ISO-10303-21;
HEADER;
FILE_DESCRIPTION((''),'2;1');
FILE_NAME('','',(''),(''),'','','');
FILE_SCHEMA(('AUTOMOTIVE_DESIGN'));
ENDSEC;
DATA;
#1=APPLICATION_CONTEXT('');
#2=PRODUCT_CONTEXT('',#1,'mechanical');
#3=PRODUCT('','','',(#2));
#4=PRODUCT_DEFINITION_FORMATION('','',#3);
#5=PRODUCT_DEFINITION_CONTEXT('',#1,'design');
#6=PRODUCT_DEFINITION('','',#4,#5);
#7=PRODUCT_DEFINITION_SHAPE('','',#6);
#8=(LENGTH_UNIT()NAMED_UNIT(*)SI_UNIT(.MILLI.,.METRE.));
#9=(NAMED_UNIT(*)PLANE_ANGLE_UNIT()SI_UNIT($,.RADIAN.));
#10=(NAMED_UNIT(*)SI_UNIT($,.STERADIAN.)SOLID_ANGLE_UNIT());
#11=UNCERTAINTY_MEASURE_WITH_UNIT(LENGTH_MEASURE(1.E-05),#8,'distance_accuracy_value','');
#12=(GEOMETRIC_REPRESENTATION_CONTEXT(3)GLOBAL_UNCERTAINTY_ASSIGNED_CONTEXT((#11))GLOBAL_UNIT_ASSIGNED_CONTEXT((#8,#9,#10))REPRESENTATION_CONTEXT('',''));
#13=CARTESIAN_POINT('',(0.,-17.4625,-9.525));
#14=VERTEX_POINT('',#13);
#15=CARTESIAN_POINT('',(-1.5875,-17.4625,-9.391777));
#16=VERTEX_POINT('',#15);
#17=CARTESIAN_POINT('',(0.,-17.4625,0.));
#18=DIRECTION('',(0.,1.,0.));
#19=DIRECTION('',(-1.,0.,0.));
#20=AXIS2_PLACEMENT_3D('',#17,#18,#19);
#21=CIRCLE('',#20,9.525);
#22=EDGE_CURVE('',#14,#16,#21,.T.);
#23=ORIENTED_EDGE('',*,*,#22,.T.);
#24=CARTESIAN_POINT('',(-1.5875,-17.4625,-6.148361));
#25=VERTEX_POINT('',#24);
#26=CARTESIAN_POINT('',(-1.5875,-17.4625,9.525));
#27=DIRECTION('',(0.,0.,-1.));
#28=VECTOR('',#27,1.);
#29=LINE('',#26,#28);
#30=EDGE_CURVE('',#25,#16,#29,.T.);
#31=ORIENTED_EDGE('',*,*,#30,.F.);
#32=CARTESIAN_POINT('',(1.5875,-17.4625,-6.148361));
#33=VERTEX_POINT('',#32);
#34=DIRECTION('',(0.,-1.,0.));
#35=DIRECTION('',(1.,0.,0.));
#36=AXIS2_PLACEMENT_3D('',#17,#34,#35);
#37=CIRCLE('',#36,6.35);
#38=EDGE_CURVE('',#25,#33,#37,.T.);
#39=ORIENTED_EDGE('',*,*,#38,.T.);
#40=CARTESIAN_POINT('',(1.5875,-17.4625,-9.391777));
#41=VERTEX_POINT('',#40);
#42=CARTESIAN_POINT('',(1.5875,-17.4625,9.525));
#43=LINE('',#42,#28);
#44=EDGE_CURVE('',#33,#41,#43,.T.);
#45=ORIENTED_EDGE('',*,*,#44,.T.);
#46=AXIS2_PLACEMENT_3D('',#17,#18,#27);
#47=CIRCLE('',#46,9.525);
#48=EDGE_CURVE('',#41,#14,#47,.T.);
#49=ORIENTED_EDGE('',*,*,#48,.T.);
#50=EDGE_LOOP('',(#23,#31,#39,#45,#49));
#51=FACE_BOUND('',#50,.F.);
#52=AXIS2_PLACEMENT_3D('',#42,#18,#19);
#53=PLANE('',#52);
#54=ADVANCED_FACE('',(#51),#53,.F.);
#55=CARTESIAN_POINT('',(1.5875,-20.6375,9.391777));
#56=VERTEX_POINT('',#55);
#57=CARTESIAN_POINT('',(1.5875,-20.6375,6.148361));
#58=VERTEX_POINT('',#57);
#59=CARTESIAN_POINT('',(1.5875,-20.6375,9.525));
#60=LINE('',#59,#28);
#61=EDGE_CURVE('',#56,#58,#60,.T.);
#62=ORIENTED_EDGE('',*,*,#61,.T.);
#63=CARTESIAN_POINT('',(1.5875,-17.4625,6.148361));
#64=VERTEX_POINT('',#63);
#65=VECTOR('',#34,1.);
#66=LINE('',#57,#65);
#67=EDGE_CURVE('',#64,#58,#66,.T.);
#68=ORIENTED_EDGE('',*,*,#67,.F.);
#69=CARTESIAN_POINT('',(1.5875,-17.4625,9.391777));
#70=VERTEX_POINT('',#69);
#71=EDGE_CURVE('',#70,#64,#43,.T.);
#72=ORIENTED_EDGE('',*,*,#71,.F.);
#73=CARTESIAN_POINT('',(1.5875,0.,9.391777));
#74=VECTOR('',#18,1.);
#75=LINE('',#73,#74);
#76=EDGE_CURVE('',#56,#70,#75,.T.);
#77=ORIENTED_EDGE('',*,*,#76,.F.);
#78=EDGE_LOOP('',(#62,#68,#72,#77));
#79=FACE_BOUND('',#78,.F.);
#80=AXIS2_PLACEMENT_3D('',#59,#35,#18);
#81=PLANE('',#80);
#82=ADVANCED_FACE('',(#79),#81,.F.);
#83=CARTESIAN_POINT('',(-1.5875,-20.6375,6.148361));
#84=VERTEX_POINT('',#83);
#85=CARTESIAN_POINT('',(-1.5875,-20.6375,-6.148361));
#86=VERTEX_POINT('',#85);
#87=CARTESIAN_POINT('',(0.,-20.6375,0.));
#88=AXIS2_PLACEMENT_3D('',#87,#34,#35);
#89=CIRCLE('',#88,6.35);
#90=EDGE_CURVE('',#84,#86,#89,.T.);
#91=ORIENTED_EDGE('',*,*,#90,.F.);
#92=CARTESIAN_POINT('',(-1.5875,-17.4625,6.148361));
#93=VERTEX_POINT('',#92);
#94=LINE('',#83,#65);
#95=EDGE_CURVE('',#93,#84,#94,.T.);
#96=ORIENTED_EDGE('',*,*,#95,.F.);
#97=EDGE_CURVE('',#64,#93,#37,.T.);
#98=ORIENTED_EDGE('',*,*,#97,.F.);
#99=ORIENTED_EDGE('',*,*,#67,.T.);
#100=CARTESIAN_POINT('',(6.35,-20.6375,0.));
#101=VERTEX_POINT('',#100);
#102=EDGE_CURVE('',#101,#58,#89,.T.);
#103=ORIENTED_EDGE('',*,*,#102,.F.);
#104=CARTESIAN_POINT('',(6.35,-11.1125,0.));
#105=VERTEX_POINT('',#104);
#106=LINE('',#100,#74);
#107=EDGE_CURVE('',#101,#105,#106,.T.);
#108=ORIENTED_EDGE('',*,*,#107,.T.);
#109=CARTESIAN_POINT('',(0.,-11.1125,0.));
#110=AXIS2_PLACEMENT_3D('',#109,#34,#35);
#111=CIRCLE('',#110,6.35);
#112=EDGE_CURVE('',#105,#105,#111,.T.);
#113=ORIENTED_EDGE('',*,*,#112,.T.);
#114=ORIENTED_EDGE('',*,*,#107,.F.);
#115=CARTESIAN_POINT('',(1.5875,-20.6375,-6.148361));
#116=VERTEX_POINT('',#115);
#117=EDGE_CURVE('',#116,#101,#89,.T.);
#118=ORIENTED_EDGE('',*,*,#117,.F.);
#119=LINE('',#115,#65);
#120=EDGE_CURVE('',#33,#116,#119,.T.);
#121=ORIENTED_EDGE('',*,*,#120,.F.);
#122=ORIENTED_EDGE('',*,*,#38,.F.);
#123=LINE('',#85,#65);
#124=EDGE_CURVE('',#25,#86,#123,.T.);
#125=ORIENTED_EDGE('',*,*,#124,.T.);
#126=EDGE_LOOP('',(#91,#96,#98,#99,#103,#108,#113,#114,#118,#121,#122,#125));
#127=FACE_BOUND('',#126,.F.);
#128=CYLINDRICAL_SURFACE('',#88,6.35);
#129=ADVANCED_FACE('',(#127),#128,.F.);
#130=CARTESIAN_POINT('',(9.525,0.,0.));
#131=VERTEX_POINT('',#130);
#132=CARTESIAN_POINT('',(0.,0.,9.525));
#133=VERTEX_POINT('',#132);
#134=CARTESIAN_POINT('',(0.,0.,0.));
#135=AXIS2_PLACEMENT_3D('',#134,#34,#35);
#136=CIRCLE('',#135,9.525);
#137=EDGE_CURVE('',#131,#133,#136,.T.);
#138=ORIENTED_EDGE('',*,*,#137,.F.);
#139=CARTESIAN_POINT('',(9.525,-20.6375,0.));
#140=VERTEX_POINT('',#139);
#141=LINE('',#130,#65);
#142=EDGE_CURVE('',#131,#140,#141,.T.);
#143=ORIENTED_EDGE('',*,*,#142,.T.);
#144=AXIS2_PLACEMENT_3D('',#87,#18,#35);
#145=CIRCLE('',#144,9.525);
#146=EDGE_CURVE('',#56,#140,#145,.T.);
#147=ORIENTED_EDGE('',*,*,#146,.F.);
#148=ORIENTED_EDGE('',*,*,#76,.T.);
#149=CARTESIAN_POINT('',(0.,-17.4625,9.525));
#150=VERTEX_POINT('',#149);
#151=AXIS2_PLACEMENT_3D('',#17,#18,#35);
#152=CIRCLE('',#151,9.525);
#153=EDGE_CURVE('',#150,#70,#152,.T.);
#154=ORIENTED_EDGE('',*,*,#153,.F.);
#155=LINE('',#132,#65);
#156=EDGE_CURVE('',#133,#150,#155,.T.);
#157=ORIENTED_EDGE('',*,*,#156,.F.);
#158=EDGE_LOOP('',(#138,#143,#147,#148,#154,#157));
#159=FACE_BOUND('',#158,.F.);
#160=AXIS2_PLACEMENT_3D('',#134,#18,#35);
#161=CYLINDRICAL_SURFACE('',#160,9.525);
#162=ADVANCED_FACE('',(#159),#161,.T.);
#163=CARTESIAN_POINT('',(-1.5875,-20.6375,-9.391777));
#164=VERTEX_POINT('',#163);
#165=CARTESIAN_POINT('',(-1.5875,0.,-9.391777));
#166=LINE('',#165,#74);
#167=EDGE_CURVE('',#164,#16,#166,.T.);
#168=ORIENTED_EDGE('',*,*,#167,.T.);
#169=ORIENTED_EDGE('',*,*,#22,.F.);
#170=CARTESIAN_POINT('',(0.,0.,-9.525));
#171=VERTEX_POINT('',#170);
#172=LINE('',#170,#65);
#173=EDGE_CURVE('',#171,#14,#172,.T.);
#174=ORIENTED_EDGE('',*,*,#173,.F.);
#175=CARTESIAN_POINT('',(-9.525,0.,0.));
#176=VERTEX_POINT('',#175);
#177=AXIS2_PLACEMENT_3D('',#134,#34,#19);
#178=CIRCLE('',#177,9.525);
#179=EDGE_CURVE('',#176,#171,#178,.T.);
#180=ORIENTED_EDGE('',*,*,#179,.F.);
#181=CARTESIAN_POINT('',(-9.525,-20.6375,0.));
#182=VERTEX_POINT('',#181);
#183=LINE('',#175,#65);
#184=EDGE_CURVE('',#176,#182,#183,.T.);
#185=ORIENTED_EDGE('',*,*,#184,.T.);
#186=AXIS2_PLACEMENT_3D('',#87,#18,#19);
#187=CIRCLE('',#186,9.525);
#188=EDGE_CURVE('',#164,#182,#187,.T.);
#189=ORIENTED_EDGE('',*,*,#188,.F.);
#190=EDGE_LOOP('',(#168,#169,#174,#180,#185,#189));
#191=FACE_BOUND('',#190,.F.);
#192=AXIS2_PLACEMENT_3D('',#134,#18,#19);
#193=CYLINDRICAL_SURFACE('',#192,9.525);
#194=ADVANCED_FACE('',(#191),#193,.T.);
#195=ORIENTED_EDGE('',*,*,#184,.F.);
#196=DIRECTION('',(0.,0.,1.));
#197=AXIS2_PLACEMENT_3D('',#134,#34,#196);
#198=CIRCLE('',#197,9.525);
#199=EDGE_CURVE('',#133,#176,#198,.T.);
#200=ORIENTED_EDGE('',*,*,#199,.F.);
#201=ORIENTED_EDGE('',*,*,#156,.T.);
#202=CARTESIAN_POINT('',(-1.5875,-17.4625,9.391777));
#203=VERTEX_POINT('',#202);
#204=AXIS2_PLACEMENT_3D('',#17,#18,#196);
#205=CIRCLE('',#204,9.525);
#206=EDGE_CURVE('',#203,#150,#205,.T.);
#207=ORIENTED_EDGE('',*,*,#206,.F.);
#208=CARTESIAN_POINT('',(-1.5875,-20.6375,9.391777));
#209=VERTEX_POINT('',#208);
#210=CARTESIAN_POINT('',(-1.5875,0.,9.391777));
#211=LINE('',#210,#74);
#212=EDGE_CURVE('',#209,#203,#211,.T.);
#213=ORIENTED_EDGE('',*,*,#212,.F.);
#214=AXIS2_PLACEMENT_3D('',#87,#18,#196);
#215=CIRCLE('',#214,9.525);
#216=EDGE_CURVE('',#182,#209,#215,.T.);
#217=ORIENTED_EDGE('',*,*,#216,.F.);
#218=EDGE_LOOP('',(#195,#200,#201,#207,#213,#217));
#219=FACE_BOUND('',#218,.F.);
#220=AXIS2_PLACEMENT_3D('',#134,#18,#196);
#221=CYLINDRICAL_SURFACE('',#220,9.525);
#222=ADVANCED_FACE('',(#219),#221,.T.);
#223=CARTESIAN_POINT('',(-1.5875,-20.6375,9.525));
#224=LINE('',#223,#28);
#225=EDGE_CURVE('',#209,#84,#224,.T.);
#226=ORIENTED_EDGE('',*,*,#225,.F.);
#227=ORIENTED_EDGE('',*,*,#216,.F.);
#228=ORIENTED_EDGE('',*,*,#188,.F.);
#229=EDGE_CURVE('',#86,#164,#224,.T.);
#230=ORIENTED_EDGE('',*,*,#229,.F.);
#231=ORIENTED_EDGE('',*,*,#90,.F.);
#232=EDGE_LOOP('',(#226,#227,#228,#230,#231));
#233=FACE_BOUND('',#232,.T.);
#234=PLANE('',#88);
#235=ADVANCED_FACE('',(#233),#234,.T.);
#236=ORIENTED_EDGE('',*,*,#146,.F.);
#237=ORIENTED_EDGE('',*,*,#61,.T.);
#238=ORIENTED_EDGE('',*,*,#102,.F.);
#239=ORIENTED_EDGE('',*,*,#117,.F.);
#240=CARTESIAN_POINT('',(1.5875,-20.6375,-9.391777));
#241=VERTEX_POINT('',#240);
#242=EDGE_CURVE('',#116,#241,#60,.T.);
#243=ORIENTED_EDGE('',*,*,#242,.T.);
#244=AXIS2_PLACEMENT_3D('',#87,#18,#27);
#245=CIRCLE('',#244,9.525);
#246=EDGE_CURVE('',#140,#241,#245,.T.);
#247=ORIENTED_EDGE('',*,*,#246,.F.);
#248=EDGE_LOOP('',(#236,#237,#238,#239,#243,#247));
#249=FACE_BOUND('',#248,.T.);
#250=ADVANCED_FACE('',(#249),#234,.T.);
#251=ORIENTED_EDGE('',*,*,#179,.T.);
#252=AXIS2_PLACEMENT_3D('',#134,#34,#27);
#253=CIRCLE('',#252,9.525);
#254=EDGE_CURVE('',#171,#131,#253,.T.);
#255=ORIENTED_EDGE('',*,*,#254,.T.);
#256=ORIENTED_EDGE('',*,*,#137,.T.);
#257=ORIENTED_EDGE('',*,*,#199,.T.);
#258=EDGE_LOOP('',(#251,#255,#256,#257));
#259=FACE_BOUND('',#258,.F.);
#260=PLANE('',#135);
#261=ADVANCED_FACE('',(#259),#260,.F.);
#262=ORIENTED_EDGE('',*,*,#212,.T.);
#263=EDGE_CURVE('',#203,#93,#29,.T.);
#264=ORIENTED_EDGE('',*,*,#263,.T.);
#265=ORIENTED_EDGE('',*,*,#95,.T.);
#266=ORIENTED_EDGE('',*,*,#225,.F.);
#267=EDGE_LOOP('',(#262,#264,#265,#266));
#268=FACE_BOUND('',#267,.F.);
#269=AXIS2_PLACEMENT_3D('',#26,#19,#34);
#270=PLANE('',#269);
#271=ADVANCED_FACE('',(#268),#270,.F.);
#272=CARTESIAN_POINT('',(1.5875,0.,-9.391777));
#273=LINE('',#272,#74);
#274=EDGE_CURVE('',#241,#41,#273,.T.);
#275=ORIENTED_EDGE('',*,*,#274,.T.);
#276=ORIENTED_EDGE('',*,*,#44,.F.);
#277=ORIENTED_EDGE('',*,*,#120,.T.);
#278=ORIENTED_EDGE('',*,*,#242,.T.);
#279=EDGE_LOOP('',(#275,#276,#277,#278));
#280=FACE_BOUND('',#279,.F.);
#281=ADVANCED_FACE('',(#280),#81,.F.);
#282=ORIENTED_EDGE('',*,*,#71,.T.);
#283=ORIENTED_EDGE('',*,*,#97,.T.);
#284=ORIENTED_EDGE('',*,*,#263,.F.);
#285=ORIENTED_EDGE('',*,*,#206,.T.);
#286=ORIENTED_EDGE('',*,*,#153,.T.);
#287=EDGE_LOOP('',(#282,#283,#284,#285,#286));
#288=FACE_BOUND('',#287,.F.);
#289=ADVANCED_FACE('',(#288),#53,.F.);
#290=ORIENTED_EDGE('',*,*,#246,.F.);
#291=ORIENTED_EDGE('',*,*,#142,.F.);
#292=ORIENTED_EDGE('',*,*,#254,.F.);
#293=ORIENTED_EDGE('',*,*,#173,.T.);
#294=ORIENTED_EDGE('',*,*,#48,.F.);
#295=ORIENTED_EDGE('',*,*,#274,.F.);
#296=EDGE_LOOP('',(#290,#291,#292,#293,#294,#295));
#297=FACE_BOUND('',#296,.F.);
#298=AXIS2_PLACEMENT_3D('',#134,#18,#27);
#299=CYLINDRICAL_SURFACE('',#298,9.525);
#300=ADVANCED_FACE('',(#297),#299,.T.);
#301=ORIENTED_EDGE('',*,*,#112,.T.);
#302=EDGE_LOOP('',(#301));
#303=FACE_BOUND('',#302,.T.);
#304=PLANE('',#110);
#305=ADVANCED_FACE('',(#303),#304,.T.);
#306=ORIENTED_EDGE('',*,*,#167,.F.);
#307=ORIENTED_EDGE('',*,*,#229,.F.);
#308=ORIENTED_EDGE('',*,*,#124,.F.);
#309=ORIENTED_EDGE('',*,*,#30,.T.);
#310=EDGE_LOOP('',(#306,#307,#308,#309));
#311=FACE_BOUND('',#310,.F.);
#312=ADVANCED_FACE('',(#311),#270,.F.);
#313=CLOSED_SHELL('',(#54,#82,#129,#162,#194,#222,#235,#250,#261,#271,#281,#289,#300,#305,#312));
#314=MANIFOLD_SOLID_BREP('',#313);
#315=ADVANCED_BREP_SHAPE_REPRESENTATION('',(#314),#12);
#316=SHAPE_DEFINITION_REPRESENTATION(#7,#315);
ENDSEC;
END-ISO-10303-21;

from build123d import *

# Parameters (mm, degrees)
F0_W     = 19.05
F0_H     = 19.05
F1_DEPTH = 20.6375
F2_R     = 6.35
F3_DEPTH = 9.525
F5_DEPTH = 25.4
F7_DEPTH = 25.4


with BuildPart() as f1:
    # F0 (on Front) → F1 (new body)
    with BuildSketch(Plane.XZ):
        Rectangle(F0_W, F0_H)
    extrude(amount=F1_DEPTH)

    # F2 (on face) → F3 (cut)
    with BuildSketch(Plane.XZ.offset(20.6375)):
        Circle(F2_R)
    extrude(amount=-F3_DEPTH, mode=Mode.SUBTRACT)

    # F4 (on face) → F5 (cut)
    with BuildSketch(Plane.XY.offset(9.525)):
        Polygon((-1.5875, -20.6375), (0, -20.6375), (1.5875, -20.6375), (1.5875, -17.4625), (-1.5875, -17.4625), align=None)
    extrude(amount=-F5_DEPTH, mode=Mode.SUBTRACT)

    # F6 (on face) → F7 (cut)
    with BuildSketch(Plane(origin=(0, 0, 0), x_dir=(-1, 0, 0), z_dir=(0, 1, 0))):
        with BuildLine():
            ThreePointArc((-9.525, 0), (-6.7351920908, 6.7351920908), (0, 9.525))
            Line((0, 9.525), (-9.525, 9.525))
            Line((-9.525, 9.525), (-9.525, 0))
        make_face()
        with BuildLine():
            ThreePointArc((0, 9.525), (6.7351920908, 6.7351920908), (9.525, 0))
            Line((9.525, 0), (9.525, 9.525))
            Line((9.525, 9.525), (0, 9.525))
        make_face()
        with BuildLine():
            Line((-9.525, -9.525), (0, -9.525))
            ThreePointArc((0, -9.525), (-6.7351920908, -6.7351920908), (-9.525, 0))
            Line((-9.525, 0), (-9.525, -9.525))
        make_face()
        with BuildLine():
            Line((9.525, -9.525), (9.525, 0))
            ThreePointArc((9.525, 0), (6.7351920908, -6.7351920908), (0, -9.525))
            Line((0, -9.525), (9.525, -9.525))
        make_face()
    extrude(amount=-F7_DEPTH, mode=Mode.SUBTRACT)


solid = f1.part
